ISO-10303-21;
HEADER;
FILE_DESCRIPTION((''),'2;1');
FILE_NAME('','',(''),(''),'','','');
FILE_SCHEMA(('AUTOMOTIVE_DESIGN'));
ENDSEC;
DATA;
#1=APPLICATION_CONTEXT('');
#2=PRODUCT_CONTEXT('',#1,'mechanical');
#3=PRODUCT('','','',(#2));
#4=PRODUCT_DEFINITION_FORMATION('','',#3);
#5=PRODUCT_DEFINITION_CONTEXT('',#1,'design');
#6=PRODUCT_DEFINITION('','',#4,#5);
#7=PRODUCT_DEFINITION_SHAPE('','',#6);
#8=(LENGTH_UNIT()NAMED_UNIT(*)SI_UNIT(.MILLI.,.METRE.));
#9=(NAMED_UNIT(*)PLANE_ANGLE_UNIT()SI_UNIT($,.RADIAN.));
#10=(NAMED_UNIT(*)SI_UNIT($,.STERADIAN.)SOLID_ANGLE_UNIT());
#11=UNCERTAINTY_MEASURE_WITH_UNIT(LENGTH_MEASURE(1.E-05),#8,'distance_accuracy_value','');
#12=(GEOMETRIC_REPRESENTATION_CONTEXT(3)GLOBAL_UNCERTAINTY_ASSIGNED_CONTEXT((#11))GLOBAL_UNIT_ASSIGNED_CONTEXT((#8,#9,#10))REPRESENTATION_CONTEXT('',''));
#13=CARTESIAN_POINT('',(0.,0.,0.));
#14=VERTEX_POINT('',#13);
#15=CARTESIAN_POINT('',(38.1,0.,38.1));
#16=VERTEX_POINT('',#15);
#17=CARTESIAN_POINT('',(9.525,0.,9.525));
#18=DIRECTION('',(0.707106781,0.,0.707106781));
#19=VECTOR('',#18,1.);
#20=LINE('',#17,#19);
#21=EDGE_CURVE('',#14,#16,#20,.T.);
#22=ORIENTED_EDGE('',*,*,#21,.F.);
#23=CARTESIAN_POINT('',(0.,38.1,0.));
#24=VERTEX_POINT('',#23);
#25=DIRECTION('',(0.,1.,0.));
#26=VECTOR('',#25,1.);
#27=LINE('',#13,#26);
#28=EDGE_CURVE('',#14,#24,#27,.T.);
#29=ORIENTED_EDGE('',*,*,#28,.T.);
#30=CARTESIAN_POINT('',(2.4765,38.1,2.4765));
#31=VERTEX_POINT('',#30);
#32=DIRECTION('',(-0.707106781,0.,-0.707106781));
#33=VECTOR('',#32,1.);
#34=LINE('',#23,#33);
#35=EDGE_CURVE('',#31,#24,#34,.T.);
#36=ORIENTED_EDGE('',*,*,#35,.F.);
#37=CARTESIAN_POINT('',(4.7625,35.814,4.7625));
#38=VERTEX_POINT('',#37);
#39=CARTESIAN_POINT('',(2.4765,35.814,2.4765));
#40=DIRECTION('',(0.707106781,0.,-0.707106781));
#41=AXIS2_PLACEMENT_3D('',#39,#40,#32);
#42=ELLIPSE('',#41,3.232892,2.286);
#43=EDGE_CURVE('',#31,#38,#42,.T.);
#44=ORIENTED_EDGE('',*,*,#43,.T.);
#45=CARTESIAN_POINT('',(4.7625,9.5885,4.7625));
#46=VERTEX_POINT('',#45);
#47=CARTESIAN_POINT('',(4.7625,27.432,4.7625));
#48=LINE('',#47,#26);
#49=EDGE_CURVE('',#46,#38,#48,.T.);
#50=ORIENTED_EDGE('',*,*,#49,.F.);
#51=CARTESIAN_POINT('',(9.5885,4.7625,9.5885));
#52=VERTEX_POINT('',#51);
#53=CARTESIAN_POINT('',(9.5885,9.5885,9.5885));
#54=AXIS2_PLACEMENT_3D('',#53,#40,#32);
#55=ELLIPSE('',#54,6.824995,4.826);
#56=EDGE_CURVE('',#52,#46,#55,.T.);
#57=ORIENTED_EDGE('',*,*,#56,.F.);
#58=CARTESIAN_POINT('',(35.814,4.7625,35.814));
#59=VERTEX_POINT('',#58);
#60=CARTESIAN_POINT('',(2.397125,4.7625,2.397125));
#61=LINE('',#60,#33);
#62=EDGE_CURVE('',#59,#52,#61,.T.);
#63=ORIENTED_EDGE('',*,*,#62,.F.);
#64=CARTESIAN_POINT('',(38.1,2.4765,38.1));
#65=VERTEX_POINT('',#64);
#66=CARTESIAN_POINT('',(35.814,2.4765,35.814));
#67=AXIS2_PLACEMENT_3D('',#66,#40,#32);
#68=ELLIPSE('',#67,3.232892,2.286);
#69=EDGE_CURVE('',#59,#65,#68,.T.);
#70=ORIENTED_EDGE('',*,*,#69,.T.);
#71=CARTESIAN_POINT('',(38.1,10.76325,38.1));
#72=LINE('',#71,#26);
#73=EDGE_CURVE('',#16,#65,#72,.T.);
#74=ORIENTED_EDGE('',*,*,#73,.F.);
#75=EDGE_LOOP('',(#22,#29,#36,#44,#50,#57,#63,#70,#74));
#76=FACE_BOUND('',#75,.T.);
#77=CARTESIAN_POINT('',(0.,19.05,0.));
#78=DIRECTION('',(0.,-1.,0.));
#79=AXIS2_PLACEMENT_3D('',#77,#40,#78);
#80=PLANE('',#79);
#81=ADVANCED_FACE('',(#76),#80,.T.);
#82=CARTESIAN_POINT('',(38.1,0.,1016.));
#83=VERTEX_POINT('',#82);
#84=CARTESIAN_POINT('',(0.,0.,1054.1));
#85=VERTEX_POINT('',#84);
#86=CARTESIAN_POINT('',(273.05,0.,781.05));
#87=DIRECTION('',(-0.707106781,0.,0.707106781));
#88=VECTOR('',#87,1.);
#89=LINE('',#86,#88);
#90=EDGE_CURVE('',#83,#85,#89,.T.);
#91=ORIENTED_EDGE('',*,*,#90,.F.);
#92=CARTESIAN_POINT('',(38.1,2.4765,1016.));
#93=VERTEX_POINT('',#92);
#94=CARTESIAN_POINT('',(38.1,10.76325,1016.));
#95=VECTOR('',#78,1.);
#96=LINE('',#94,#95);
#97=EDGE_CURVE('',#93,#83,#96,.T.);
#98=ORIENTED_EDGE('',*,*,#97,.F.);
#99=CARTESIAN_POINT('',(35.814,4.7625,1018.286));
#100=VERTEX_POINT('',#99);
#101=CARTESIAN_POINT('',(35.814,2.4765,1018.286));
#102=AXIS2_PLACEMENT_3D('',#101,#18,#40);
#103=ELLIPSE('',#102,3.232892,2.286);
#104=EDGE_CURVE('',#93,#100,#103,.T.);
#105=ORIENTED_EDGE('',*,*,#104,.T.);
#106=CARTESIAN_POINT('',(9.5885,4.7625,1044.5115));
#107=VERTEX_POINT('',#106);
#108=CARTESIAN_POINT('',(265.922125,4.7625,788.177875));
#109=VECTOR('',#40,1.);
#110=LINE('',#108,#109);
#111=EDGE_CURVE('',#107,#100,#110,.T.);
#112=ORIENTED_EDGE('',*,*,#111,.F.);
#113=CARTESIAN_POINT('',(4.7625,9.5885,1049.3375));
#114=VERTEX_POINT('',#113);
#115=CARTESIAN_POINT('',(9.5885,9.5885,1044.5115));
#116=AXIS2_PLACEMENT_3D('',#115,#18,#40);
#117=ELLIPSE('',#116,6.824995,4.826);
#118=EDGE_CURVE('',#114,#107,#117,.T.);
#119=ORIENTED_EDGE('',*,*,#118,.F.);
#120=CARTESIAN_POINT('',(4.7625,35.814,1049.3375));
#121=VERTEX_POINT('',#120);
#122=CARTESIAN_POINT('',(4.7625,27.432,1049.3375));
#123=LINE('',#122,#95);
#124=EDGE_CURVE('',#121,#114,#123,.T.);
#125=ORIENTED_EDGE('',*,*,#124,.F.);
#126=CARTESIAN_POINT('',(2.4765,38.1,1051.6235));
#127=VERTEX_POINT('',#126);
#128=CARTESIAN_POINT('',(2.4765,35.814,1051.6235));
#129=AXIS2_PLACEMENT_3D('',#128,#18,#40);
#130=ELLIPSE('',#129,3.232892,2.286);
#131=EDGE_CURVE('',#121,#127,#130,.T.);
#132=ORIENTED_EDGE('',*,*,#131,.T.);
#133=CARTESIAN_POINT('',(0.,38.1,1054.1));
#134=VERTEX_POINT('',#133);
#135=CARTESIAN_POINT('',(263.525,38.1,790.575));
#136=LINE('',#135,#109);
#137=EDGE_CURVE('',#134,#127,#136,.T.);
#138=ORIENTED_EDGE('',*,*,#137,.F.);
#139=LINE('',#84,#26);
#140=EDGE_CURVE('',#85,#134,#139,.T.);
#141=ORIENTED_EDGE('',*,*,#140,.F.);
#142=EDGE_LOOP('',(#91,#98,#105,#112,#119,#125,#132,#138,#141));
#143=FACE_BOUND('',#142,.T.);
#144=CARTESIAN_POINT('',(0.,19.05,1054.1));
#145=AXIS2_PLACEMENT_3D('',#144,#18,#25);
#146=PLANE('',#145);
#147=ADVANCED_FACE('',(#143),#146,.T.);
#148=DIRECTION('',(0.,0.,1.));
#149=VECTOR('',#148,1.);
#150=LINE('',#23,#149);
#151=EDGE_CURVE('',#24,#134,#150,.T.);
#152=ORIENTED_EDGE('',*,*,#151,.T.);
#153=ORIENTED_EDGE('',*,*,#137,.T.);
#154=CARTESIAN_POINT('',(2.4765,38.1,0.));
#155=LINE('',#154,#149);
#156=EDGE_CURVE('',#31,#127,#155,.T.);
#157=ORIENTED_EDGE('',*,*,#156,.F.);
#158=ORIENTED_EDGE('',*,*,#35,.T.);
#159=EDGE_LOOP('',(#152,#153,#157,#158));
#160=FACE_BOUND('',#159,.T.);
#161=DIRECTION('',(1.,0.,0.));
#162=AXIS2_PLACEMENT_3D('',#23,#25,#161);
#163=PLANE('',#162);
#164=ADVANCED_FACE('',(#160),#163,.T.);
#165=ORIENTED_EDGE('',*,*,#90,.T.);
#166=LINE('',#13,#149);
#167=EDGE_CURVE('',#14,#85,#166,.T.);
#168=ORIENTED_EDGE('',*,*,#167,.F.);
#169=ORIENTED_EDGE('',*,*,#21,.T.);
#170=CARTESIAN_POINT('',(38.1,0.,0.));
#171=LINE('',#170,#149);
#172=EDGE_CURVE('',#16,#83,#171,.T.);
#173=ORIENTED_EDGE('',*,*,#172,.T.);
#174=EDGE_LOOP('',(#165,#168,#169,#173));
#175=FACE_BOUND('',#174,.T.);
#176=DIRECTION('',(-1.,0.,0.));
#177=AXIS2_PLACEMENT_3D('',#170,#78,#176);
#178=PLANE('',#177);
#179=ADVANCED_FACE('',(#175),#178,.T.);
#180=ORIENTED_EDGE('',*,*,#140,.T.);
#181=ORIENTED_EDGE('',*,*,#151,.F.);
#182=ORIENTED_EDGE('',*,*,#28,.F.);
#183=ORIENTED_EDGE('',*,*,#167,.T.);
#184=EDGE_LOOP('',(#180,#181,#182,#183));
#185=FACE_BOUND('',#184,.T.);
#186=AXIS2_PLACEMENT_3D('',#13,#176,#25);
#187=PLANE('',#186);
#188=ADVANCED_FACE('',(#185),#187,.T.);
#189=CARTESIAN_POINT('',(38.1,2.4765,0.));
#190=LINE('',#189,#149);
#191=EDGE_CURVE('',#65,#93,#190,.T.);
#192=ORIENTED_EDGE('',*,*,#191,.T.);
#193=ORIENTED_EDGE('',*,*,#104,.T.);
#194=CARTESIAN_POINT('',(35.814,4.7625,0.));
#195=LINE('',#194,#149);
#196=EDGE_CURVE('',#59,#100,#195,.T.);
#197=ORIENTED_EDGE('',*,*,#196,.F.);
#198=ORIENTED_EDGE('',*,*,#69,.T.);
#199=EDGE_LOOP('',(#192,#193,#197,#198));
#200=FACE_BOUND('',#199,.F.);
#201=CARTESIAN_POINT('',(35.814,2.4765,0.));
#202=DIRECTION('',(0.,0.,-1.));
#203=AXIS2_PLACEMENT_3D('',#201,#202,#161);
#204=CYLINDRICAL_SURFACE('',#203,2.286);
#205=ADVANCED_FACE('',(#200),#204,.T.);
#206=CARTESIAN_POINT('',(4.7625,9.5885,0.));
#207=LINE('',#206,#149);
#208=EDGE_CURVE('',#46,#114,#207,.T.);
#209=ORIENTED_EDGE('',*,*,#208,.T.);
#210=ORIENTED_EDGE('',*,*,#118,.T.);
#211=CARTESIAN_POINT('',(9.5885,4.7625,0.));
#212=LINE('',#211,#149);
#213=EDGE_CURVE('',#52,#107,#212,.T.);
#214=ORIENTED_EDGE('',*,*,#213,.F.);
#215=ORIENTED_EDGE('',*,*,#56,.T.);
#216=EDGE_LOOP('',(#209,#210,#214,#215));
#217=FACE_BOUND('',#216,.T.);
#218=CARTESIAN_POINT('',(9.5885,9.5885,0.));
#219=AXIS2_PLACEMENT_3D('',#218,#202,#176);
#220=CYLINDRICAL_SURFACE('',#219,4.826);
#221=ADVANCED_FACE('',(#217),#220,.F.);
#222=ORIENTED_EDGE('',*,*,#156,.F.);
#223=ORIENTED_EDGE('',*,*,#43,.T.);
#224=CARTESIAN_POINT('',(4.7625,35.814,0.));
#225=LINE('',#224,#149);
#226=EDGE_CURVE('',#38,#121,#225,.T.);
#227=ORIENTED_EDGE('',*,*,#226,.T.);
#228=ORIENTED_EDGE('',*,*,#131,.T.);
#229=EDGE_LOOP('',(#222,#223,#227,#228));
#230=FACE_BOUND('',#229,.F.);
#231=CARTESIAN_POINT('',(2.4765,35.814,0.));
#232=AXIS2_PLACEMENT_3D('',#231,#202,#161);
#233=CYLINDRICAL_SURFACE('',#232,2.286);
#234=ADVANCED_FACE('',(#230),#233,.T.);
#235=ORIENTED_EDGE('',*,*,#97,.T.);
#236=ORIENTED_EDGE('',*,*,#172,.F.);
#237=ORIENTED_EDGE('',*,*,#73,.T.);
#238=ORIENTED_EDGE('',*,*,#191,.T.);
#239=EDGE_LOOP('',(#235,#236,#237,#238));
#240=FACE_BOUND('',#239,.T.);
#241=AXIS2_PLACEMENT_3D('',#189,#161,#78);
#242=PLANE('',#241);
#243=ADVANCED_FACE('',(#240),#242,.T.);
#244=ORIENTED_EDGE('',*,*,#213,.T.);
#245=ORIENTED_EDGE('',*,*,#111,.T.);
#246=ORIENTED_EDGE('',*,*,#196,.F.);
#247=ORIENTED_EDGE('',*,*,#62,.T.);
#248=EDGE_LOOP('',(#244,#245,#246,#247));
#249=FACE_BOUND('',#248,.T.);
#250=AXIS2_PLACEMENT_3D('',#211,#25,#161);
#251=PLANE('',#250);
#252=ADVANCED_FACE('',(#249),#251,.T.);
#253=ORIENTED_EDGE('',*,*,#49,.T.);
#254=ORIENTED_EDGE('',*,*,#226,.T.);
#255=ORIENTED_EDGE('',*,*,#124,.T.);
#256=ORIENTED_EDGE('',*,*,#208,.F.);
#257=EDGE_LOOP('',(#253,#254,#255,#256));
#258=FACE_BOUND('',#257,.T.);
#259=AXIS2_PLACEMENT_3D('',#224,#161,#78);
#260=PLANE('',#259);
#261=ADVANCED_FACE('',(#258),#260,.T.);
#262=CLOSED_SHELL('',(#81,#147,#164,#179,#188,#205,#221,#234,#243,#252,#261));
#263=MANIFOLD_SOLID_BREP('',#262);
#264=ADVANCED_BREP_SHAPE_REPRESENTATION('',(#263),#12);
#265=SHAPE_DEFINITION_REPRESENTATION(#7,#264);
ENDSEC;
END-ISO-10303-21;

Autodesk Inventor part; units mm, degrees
ref_plane "Start plane" through (0, 0, 0) normal (0, 0, 1) x (1, 0, 0)
ref_plane "End plane" through (0, 0, 1054.1) normal (0, 0, 1) x (1, 0, 0)
sketch "Sketch" plane through (0, 0, 0) normal (0, 0, 1) x (1, 0, 0)
  line L0 (38.1, 0) -> (0, 0)
  line L1 (0, 0) -> (0, 38.1)
  line L2 (0, 38.1) -> (2.4765, 38.1)
  line L3 (4.7625, 35.814) -> (4.7625, 9.5885)
  line L4 (9.5885, 4.7625) -> (35.814, 4.7625)
  line L5 (38.1, 2.4765) -> (38.1, 0)
  line L6 (0, -11.0414) -> (0, 31.5385) construction
  line L7 (-11.0414, 0) -> (31.5385, 0) construction
  arc A0 (4.7625, 9.5885) -> (9.5885, 4.7625) centre (9.5885, 9.5885) ccw
  arc A1 (4.7625, 35.814) -> (2.4765, 38.1) centre (2.4765, 35.814) ccw
  arc A2 (38.1, 2.4765) -> (35.814, 4.7625) centre (35.814, 2.4765) ccw
  line L8 (0, 48.4964) -> (0, -20.9644) construction
  line L9 (-20.9644, 0) -> (48.4964, 0) construction
  point P0 (4.7625, 38.1)
  point P1 (4.7625, 4.7625)
  point P2 (38.1, 4.7625)
  dimension "d0" = 38.1
  dimension "d1" = 38.1
  dimension "d2" = 4.7625
  dimension "d3" = 4.7625
  dimension "d10" = 0
  dimension "d11" = 0
  dimension "d14" = 4.826
  dimension "d15" = 2.286
extrude "Body" add sketch "Sketch" along normal up to surface (1054.1 mm away) from surface at 0
sketch "Sketch3" plane through (0, 0, 0) normal (0, 0, 1) x (1, 0, 0)
  line L0 (0, 0) -> (10, 0)
ref_plane "Work Plane3" through (0, 0, 0) normal (0, -1, 0) x (1, 0, 0)
sketch "Sketch4" plane through (0, 0, 0) normal (0, -1, 0) x (1, 0, 0)
  line L0 (-2, 0) -> (12, 0)
  line L1 (-2, 1054.1) -> (12, 1054.1)
  dimension "d17" = 1054.1
ref_plane "Work Plane4" through (0, 19.05, 1054.1) normal (0.7071, 0, 0.7071) x (0.7071, 0, -0.7071)
split "Split1" plane through (0, 19.05, 1054.1) removes the side toward (0.7071, 0, 0.7071)
ref_plane "Work Plane5" through (0, 19.05, 0) normal (0.7071, 0, -0.7071) x (-0.7071, 0, -0.7071)
split "Split2" plane through (0, 19.05, 0) removes the side toward (0.7071, 0, -0.7071)
equation "\"d0\" = G_H"
equation "\"d1\" = G_H"
equation "\"d2\" = G_T"
equation "\"d3\" = G_T"
equation "\"d14\" = G_IR"
equation "\"d15\" = G_ER"
equation "\"d4\" = G_L"
equation "\"G_H\" = 38.1"
equation "\"G_T\" = 4.7625"
equation "\"G_ER\" = 2.286"
equation "\"G_IR\" = 4.826"
equation "\"G_L\" = d17"
equation "\"ex\" = 0"
equation "\"G_OFFSET_START\" = 0"
equation "\"G_OFFSET_END\" = 0"
equation "\"d13\" = G_OFFSET_END + B_L"
equation "\"B_L\" = 1054.1"
properties part number "AISC - L 1.5 x 1.5 x 3/16 - 41.5" material "Aluminum 6061-AHC"
